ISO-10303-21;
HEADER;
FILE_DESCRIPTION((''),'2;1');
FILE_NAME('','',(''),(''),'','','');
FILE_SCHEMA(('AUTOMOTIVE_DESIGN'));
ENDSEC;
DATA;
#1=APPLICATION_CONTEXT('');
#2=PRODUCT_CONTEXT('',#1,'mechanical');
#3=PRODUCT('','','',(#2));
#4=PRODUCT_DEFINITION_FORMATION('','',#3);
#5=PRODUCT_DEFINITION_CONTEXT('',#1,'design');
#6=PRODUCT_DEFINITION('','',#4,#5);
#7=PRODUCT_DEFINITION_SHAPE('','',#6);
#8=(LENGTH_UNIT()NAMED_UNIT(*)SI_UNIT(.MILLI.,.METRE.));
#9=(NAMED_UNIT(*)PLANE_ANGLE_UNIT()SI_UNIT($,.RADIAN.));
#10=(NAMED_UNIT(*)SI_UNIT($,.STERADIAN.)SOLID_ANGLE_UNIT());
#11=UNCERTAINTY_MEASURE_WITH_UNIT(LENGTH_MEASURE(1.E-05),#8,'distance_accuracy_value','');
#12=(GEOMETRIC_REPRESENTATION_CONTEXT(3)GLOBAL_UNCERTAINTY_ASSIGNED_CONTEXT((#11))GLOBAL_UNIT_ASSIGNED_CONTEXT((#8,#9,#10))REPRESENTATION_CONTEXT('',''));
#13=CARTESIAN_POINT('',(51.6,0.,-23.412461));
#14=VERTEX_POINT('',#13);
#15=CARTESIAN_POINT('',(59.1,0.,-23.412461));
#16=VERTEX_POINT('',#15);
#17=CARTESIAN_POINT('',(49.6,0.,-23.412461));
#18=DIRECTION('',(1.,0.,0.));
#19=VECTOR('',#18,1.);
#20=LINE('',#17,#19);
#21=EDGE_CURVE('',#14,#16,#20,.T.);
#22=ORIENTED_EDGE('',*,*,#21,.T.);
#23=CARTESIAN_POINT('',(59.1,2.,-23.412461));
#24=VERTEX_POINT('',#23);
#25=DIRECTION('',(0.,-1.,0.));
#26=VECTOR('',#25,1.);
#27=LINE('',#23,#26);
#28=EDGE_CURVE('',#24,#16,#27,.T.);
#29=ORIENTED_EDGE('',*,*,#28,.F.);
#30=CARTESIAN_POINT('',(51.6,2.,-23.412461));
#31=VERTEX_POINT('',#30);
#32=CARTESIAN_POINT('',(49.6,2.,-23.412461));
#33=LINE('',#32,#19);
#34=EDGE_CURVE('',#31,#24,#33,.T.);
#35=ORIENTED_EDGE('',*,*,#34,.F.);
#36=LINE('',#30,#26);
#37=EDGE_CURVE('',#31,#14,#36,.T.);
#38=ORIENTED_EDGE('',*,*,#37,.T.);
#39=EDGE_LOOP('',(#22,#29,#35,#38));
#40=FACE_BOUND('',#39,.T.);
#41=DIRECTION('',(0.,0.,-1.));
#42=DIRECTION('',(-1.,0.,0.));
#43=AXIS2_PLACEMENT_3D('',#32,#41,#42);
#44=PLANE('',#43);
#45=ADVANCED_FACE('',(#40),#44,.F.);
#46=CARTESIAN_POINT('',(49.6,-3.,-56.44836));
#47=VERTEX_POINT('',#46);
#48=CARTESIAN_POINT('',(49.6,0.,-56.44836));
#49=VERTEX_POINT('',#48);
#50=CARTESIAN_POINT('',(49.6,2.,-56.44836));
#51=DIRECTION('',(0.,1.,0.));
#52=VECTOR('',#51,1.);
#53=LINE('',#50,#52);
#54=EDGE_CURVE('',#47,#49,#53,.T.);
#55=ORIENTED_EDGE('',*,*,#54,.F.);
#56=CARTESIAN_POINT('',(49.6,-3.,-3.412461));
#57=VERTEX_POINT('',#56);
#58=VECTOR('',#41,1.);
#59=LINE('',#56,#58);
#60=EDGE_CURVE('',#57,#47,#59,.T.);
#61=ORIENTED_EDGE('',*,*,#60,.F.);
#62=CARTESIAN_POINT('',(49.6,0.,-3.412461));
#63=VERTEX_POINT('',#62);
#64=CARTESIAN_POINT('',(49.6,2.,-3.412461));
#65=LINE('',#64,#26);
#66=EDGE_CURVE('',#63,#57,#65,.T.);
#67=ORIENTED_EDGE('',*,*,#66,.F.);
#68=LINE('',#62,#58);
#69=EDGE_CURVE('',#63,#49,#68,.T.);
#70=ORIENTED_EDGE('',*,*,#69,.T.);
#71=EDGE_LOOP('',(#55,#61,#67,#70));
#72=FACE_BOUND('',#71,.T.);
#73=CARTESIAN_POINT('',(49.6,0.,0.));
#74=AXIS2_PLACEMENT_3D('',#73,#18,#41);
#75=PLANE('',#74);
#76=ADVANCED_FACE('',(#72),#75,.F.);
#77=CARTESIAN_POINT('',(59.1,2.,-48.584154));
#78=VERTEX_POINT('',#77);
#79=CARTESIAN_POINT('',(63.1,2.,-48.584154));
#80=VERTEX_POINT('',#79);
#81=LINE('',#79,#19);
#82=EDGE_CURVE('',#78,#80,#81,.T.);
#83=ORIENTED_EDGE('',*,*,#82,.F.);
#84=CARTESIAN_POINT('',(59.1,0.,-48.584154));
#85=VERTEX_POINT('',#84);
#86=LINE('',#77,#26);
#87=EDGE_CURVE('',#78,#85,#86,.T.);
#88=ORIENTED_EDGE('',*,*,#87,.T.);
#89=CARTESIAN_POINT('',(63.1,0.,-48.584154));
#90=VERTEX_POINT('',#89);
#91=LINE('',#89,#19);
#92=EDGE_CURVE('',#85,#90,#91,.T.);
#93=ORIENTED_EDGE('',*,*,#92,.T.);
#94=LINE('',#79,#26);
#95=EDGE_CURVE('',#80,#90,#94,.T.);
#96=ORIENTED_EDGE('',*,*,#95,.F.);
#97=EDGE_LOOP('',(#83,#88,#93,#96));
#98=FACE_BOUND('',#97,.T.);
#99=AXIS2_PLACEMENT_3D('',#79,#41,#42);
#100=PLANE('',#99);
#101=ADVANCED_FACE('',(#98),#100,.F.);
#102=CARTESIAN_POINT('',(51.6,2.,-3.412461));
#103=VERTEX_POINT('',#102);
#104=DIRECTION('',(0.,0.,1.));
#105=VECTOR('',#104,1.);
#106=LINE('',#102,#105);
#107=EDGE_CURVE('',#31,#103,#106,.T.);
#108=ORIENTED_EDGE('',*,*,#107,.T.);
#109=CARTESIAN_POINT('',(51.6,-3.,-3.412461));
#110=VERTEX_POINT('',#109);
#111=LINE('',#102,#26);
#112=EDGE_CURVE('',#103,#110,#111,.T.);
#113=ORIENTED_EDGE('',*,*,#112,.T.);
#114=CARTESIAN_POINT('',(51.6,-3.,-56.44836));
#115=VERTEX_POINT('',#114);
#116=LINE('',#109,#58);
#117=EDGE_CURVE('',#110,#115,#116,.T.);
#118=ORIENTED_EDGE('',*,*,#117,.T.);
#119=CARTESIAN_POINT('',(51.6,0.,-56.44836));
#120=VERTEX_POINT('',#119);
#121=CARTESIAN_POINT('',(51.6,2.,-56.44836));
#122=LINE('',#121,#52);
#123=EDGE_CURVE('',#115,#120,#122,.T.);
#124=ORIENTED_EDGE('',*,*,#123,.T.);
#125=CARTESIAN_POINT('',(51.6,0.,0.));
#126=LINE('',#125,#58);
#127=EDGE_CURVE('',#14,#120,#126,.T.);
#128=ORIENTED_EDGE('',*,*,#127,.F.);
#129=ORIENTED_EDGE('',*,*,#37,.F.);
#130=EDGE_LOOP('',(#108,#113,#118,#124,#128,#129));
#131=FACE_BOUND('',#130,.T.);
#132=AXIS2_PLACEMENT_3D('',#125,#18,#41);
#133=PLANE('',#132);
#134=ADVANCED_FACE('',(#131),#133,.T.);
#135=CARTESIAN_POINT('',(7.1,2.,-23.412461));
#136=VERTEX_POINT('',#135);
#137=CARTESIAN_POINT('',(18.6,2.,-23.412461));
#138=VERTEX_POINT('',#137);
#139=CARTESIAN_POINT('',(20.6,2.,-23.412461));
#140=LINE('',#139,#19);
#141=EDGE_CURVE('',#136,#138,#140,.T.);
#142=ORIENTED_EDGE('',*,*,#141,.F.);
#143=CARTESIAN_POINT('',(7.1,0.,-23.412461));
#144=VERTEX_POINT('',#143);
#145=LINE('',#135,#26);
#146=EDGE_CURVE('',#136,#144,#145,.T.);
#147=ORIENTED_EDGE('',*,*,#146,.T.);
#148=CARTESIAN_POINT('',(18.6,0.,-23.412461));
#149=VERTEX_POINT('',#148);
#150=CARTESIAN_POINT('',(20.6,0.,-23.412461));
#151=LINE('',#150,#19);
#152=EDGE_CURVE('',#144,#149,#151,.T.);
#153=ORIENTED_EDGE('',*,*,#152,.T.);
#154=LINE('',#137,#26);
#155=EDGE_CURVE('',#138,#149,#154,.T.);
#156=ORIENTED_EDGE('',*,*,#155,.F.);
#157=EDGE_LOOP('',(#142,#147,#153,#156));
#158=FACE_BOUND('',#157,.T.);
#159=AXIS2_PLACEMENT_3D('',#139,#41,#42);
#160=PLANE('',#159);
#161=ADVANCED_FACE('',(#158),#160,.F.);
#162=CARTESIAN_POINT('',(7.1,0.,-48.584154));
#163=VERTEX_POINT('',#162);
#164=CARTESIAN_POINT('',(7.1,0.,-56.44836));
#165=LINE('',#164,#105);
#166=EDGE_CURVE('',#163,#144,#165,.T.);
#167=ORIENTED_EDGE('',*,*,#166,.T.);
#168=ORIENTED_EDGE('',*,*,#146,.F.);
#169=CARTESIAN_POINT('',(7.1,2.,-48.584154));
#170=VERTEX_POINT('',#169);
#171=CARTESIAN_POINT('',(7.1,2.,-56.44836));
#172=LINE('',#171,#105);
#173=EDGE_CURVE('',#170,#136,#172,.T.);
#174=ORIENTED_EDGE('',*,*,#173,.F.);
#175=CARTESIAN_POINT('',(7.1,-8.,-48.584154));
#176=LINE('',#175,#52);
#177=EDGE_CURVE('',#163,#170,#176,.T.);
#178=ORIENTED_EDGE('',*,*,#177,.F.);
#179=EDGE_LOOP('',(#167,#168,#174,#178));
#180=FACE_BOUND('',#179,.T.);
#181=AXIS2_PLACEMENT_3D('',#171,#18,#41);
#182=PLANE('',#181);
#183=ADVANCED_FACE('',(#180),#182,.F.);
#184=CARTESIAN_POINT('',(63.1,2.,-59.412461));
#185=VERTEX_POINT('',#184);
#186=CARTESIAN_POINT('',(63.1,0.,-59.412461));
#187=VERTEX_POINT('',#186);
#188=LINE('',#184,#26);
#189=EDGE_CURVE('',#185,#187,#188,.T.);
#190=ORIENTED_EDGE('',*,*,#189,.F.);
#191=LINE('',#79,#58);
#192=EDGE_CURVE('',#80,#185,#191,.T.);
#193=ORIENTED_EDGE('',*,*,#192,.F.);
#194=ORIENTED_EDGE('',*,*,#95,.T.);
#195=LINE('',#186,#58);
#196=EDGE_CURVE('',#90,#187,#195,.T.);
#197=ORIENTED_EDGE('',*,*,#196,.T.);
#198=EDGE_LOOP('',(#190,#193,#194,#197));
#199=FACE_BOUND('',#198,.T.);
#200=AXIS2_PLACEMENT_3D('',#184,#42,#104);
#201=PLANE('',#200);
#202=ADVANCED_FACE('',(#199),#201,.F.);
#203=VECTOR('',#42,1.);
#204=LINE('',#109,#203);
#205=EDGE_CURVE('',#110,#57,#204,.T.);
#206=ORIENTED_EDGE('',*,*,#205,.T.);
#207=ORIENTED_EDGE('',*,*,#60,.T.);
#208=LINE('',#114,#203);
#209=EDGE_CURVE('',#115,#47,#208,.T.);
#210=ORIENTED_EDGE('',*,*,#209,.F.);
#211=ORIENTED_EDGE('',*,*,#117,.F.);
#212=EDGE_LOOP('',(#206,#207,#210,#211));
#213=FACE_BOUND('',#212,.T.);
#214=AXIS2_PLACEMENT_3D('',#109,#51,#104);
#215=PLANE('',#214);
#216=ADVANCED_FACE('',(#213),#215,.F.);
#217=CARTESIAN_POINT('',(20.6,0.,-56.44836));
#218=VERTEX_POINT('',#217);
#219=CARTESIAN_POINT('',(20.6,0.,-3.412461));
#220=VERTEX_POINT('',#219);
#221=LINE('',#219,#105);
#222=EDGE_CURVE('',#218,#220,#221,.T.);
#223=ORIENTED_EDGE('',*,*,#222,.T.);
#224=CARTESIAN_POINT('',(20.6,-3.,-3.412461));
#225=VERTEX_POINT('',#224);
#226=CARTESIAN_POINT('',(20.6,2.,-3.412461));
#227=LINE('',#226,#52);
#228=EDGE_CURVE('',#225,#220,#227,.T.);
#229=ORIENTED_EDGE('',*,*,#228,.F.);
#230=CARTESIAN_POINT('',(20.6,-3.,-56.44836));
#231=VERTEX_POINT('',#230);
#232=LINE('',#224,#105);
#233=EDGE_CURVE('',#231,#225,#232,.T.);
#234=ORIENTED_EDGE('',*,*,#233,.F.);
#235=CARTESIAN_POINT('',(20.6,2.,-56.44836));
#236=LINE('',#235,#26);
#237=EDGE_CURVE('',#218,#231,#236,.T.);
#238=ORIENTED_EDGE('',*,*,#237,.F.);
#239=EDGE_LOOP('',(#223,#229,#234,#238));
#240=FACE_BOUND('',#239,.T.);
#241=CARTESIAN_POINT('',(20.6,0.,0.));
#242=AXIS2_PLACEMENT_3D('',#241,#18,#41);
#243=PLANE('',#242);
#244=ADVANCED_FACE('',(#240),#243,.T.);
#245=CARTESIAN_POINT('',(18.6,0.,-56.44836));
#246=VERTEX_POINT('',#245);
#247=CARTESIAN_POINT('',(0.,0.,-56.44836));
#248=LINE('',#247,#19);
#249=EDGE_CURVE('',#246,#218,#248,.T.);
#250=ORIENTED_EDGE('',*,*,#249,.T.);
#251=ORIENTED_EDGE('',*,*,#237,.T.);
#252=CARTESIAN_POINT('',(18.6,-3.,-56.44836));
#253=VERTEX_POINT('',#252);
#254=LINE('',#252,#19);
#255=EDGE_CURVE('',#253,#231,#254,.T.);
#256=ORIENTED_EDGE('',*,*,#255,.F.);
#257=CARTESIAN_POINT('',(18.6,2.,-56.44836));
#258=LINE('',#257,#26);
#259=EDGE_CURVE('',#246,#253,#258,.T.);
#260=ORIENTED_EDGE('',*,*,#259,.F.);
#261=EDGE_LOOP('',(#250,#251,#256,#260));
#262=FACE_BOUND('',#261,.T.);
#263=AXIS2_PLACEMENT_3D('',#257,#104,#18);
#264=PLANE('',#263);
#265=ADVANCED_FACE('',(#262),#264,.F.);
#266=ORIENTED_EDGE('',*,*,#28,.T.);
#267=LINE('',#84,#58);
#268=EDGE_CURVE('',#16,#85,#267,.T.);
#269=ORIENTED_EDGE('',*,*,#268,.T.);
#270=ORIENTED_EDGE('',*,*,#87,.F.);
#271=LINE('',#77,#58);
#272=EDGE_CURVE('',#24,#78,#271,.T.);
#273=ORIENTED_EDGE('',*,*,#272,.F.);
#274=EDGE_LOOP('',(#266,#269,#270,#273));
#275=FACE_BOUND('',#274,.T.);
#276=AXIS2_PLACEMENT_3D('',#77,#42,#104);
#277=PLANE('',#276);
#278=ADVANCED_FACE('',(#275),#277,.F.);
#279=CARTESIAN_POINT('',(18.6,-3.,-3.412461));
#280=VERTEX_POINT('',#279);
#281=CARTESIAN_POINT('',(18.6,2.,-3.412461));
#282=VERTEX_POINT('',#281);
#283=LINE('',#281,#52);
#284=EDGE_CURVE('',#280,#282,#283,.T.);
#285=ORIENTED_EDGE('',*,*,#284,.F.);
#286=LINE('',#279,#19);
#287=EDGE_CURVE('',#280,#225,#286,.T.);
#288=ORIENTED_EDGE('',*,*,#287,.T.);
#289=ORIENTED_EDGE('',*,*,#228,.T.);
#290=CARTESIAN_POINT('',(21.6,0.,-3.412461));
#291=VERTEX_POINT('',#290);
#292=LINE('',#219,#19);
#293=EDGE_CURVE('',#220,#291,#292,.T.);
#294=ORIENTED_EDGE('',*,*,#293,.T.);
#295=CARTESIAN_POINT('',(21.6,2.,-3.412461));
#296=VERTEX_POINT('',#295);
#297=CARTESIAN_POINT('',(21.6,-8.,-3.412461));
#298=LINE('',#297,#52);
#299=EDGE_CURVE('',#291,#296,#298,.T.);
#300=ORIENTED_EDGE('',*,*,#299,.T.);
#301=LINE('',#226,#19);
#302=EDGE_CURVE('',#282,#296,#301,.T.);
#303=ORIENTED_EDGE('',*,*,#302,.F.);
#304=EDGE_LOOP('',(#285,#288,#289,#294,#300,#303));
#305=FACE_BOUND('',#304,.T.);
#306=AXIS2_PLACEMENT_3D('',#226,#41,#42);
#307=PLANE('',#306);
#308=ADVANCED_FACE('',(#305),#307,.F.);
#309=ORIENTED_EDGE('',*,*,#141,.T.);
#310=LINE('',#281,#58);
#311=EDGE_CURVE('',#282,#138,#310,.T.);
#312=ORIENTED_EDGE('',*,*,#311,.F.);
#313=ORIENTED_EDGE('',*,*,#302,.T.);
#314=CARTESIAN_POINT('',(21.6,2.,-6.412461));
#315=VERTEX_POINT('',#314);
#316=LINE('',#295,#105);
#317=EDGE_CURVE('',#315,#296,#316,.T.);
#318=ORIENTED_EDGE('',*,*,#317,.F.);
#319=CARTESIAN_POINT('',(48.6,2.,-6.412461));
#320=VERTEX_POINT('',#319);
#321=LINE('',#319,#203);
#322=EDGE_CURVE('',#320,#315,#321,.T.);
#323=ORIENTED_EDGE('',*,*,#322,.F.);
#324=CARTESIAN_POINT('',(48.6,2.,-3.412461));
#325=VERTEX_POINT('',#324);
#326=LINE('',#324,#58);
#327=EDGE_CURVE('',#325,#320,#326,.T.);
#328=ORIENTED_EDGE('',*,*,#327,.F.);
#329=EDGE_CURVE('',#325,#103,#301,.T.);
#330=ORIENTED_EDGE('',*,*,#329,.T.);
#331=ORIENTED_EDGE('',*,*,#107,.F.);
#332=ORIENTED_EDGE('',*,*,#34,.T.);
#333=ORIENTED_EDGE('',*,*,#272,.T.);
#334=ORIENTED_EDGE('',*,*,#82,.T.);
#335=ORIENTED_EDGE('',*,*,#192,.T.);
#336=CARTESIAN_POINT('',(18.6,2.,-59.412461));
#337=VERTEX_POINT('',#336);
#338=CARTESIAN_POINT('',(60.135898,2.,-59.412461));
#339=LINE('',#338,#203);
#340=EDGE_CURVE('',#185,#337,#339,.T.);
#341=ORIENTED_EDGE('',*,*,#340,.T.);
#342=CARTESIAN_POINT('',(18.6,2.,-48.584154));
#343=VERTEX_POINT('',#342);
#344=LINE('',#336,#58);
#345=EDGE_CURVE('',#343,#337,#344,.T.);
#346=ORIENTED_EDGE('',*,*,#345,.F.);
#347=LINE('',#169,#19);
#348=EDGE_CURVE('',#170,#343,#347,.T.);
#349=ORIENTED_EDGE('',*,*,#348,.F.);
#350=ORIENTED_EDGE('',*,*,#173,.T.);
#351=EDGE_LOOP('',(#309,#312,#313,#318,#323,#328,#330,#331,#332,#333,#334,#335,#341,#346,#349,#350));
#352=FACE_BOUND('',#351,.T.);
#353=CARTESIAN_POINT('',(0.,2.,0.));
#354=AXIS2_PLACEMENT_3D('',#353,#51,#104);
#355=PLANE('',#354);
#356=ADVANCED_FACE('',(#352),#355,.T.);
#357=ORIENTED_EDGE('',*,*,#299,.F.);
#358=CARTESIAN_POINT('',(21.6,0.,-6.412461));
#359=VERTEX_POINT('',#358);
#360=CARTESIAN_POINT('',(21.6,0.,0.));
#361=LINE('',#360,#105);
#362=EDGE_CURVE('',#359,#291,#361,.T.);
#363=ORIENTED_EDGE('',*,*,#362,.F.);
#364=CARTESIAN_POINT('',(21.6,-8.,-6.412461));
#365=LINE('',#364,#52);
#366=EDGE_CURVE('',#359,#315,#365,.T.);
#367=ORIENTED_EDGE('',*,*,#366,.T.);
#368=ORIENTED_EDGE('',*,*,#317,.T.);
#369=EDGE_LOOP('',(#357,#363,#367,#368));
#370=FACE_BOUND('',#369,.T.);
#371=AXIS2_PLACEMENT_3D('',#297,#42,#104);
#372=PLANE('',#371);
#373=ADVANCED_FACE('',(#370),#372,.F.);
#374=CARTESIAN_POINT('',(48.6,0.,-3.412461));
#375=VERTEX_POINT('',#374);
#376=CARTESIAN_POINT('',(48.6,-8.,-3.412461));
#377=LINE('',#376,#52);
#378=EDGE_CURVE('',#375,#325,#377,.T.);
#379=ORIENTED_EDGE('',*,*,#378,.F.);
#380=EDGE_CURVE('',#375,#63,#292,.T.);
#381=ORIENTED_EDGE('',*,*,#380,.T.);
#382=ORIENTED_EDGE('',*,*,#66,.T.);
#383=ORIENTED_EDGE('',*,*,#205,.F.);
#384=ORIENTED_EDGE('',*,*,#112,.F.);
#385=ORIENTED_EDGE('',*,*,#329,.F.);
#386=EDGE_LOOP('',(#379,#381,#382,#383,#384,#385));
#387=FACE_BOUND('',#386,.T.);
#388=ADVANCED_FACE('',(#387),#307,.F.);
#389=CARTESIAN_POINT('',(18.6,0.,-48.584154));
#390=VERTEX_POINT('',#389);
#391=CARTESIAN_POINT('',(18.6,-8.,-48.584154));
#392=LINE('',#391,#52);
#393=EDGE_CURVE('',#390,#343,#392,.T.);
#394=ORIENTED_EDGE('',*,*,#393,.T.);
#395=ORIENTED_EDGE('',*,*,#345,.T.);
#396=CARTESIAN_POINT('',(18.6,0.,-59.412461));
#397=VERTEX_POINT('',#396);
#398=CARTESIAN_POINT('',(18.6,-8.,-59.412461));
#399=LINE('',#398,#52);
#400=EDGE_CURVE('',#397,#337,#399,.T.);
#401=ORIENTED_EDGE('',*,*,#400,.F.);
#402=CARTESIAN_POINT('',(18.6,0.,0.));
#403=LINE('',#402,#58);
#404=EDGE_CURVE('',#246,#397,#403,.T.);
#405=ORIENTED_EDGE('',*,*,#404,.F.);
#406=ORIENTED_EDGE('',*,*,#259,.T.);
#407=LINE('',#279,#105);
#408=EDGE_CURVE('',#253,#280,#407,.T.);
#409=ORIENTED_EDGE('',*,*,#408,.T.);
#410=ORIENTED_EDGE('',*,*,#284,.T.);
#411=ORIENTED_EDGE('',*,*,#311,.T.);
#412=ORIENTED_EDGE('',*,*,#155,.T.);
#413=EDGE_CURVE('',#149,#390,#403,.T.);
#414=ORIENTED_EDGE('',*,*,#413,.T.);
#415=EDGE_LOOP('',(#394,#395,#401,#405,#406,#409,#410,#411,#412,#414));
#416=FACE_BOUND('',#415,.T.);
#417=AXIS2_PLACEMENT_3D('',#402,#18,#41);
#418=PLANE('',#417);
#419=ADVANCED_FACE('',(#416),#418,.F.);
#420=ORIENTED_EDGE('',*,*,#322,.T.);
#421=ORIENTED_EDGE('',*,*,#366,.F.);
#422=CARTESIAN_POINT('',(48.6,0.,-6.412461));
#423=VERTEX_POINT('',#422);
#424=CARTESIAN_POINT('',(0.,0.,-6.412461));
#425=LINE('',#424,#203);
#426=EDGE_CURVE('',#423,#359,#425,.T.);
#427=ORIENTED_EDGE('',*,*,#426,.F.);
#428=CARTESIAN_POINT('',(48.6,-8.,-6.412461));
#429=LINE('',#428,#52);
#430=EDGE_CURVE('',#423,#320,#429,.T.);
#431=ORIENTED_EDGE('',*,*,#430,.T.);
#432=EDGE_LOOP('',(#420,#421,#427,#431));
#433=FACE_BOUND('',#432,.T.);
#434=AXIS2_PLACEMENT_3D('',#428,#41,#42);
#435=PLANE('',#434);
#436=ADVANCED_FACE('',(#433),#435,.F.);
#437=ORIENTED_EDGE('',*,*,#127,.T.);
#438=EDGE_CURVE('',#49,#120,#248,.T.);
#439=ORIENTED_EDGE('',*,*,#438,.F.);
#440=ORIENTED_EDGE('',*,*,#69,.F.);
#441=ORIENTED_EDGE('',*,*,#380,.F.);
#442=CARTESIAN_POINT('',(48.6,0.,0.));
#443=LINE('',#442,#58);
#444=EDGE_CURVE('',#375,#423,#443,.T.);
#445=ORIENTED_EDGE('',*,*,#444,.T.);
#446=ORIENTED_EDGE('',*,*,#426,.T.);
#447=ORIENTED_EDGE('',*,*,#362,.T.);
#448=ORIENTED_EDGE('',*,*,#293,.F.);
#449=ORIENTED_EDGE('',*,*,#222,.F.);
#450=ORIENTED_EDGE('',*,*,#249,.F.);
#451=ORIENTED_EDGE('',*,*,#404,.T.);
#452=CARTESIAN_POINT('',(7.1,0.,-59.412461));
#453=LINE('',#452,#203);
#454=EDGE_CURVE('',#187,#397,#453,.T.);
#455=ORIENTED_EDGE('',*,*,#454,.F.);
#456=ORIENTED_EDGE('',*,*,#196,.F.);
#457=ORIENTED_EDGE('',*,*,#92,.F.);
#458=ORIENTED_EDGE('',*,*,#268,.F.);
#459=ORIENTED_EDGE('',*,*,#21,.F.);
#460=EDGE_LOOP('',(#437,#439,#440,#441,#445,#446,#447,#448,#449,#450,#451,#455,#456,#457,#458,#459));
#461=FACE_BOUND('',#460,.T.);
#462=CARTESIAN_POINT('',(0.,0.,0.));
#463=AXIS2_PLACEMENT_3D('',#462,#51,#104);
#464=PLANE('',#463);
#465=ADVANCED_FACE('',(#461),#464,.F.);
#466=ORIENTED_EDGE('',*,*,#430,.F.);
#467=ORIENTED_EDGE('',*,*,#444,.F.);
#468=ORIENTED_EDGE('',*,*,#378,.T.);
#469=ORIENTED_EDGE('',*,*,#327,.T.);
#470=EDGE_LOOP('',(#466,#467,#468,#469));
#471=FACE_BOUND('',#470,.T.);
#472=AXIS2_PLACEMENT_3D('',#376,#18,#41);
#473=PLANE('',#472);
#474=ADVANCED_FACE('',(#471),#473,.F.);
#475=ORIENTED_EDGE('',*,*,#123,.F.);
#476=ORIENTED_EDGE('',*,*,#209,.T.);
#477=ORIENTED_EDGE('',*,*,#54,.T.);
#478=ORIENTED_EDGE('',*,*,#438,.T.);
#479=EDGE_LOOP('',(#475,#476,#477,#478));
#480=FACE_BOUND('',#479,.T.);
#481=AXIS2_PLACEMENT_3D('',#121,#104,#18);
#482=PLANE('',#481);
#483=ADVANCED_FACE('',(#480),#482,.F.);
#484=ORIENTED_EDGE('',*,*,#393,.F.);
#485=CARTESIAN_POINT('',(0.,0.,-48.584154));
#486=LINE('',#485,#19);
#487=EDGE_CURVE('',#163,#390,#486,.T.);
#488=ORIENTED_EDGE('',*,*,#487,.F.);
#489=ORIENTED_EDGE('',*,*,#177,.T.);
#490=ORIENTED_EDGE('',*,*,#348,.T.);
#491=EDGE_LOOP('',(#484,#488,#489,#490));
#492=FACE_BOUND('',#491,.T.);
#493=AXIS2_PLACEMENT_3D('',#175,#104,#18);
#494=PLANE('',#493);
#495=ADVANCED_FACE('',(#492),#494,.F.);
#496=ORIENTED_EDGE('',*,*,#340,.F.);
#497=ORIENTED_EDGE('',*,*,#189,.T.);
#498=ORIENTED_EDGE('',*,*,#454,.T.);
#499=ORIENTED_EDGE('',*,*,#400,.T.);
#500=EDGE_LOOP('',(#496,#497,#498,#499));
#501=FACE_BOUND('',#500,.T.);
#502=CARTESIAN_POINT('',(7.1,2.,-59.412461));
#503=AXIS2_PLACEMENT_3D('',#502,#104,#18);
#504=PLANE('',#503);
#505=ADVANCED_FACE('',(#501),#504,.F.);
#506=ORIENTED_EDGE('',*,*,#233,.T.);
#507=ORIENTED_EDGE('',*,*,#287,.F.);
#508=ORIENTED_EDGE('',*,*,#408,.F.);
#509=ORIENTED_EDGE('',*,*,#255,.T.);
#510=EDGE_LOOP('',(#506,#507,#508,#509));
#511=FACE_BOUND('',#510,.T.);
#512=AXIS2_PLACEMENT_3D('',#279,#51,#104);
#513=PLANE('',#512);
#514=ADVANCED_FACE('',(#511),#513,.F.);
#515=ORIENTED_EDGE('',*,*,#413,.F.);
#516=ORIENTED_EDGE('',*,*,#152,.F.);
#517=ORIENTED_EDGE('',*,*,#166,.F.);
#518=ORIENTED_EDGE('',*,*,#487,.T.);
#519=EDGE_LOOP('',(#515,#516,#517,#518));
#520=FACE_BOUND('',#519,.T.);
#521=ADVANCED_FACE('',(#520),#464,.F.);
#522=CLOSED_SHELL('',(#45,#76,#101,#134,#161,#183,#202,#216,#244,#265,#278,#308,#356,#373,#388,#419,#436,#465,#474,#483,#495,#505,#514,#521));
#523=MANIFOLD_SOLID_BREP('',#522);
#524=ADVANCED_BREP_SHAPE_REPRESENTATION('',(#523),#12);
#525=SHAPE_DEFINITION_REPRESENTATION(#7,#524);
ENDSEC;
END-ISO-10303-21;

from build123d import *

# Parameters (mm, degrees)
SALIENTE_EXTRUIR1_DEPTH = 2
CROQUIS4_W              = 53.035898385
CROQUIS4_H              = 5
SALIENTE_EXTRUIR2_DEPTH = 2
CROQUIS5_W              = 53.035898385
CROQUIS5_H              = 5
SALIENTE_EXTRUIR3_DEPTH = 2
CROQUIS6_W              = 11.5
CROQUIS6_H              = 10.828307393
CROQUIS6_W_2            = 27
CROQUIS6_H_2            = 3
CORTAR_EXTRUIR1_DEPTH   = 10


with BuildPart() as part:
    # Croquis3 → Saliente-Extruir1 (new body)
    with BuildSketch(Plane(origin=(0, 0, 0), x_dir=(1, 0, 0), z_dir=(0, 1, 0))):
        Polygon((10.064101615, 59.412461498), (60.135898385, 59.412461498), (63.1, 59.412461498), (63.1, 56.448359883), (63.1, 48.584154105), (59.1, 48.584154105), (59.1, 23.412461498), (49.6, 23.412461498), (49.6, 3.412461498), (20.6, 3.412461498), (20.6, 23.412461498), (7.1, 23.412461498), (7.1, 56.448359883), (7.1, 59.412461498), align=None)
    extrude(amount=SALIENTE_EXTRUIR1_DEPTH)

    # Croquis4 → Saliente-Extruir2 (add)
    with BuildSketch(Plane.ZY.offset(-20.6)):
        with Locations((-29.930410691, -0.5)):
            Rectangle(CROQUIS4_W, CROQUIS4_H)
    extrude(amount=SALIENTE_EXTRUIR2_DEPTH)

    # Croquis5 → Saliente-Extruir3 (add)
    with BuildSketch(Plane(origin=(49.6, 0, 0), x_dir=(0, 0, -1), z_dir=(1, 0, 0))):
        with Locations((29.930410691, -0.5)):
            Rectangle(CROQUIS5_W, CROQUIS5_H)
    extrude(amount=SALIENTE_EXTRUIR3_DEPTH)

    # Croquis6 → Cortar-Extruir1 (cut)
    with BuildSketch(Plane(origin=(0, 2, 0), x_dir=(1, 0, 0), z_dir=(0, 1, 0))):
        with Locations((12.85, 53.998307802)):
            Rectangle(CROQUIS6_W, CROQUIS6_H)
        with Locations((35.1, 4.912461498)):
            Rectangle(CROQUIS6_W_2, CROQUIS6_H_2)
    extrude(amount=-CORTAR_EXTRUIR1_DEPTH, mode=Mode.SUBTRACT)


solid = part.part
